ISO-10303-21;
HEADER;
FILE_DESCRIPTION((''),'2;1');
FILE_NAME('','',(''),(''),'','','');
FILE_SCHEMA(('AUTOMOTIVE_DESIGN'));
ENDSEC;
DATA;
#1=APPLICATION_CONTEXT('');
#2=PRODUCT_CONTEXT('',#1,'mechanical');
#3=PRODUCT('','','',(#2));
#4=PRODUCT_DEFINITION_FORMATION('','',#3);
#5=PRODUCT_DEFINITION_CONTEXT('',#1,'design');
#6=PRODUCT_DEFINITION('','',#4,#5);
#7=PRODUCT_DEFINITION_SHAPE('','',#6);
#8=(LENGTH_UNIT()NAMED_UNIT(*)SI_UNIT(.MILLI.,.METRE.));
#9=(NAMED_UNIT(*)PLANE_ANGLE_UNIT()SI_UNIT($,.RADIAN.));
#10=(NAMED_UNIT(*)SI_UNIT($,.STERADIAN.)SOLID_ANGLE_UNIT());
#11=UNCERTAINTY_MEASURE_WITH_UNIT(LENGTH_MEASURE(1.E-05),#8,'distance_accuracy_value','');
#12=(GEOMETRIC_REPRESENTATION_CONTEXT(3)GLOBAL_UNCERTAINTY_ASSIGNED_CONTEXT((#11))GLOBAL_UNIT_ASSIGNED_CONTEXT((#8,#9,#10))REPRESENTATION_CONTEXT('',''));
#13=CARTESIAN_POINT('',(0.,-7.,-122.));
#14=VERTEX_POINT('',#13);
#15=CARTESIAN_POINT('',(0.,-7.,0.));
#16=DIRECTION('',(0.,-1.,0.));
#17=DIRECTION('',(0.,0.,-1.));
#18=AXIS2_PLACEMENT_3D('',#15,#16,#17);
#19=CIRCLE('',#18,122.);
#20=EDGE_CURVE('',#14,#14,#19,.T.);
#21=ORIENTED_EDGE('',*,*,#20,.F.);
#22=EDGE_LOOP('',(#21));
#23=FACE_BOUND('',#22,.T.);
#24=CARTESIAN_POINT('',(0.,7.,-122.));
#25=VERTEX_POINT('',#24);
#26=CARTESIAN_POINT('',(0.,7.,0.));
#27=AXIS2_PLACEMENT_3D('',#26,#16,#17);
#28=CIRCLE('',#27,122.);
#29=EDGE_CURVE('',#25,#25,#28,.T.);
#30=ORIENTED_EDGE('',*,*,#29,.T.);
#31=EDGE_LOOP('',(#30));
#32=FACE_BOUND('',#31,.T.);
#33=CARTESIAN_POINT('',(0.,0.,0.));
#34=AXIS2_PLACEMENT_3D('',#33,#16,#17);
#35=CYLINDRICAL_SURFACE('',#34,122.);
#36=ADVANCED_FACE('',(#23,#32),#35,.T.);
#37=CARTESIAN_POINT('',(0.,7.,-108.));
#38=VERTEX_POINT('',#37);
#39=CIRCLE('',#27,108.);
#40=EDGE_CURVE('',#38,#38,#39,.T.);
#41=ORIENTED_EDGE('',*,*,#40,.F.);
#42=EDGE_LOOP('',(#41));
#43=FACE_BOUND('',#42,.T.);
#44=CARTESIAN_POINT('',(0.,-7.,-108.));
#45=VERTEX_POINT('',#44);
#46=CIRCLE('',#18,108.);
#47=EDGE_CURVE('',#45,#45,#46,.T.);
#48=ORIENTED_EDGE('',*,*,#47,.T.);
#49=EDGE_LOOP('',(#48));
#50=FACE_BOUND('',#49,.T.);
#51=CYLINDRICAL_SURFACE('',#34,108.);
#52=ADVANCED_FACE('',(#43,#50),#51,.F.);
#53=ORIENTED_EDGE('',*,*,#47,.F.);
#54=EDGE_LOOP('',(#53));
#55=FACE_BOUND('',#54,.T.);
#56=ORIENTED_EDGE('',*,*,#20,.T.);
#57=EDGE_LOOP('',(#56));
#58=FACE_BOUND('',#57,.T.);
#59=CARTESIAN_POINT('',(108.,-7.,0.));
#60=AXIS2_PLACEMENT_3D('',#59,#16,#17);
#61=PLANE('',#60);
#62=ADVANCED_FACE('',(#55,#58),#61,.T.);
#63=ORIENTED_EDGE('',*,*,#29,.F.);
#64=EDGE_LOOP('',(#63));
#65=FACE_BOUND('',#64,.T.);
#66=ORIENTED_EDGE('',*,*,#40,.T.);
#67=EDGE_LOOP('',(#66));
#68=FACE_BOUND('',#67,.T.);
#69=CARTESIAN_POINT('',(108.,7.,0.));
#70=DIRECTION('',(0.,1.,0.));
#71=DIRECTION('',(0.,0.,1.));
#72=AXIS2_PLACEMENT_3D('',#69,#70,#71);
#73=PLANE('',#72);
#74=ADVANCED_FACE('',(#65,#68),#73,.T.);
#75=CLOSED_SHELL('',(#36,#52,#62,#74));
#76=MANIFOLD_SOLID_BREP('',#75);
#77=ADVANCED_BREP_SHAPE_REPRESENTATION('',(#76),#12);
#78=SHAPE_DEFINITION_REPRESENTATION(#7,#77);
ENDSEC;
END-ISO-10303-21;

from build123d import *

# Parameters (mm, degrees)
SKETCH_1_W = 14
SKETCH_1_H = 14


with BuildPart() as part:
    # 草图1 → 旋转1 (revolve)
    with BuildSketch(Plane.XY):
        with Locations((115, 0)):
            Rectangle(SKETCH_1_W, SKETCH_1_H)
    revolve(axis=Axis((0, 0, 0), (0, 1, 0)))


solid = part.part
